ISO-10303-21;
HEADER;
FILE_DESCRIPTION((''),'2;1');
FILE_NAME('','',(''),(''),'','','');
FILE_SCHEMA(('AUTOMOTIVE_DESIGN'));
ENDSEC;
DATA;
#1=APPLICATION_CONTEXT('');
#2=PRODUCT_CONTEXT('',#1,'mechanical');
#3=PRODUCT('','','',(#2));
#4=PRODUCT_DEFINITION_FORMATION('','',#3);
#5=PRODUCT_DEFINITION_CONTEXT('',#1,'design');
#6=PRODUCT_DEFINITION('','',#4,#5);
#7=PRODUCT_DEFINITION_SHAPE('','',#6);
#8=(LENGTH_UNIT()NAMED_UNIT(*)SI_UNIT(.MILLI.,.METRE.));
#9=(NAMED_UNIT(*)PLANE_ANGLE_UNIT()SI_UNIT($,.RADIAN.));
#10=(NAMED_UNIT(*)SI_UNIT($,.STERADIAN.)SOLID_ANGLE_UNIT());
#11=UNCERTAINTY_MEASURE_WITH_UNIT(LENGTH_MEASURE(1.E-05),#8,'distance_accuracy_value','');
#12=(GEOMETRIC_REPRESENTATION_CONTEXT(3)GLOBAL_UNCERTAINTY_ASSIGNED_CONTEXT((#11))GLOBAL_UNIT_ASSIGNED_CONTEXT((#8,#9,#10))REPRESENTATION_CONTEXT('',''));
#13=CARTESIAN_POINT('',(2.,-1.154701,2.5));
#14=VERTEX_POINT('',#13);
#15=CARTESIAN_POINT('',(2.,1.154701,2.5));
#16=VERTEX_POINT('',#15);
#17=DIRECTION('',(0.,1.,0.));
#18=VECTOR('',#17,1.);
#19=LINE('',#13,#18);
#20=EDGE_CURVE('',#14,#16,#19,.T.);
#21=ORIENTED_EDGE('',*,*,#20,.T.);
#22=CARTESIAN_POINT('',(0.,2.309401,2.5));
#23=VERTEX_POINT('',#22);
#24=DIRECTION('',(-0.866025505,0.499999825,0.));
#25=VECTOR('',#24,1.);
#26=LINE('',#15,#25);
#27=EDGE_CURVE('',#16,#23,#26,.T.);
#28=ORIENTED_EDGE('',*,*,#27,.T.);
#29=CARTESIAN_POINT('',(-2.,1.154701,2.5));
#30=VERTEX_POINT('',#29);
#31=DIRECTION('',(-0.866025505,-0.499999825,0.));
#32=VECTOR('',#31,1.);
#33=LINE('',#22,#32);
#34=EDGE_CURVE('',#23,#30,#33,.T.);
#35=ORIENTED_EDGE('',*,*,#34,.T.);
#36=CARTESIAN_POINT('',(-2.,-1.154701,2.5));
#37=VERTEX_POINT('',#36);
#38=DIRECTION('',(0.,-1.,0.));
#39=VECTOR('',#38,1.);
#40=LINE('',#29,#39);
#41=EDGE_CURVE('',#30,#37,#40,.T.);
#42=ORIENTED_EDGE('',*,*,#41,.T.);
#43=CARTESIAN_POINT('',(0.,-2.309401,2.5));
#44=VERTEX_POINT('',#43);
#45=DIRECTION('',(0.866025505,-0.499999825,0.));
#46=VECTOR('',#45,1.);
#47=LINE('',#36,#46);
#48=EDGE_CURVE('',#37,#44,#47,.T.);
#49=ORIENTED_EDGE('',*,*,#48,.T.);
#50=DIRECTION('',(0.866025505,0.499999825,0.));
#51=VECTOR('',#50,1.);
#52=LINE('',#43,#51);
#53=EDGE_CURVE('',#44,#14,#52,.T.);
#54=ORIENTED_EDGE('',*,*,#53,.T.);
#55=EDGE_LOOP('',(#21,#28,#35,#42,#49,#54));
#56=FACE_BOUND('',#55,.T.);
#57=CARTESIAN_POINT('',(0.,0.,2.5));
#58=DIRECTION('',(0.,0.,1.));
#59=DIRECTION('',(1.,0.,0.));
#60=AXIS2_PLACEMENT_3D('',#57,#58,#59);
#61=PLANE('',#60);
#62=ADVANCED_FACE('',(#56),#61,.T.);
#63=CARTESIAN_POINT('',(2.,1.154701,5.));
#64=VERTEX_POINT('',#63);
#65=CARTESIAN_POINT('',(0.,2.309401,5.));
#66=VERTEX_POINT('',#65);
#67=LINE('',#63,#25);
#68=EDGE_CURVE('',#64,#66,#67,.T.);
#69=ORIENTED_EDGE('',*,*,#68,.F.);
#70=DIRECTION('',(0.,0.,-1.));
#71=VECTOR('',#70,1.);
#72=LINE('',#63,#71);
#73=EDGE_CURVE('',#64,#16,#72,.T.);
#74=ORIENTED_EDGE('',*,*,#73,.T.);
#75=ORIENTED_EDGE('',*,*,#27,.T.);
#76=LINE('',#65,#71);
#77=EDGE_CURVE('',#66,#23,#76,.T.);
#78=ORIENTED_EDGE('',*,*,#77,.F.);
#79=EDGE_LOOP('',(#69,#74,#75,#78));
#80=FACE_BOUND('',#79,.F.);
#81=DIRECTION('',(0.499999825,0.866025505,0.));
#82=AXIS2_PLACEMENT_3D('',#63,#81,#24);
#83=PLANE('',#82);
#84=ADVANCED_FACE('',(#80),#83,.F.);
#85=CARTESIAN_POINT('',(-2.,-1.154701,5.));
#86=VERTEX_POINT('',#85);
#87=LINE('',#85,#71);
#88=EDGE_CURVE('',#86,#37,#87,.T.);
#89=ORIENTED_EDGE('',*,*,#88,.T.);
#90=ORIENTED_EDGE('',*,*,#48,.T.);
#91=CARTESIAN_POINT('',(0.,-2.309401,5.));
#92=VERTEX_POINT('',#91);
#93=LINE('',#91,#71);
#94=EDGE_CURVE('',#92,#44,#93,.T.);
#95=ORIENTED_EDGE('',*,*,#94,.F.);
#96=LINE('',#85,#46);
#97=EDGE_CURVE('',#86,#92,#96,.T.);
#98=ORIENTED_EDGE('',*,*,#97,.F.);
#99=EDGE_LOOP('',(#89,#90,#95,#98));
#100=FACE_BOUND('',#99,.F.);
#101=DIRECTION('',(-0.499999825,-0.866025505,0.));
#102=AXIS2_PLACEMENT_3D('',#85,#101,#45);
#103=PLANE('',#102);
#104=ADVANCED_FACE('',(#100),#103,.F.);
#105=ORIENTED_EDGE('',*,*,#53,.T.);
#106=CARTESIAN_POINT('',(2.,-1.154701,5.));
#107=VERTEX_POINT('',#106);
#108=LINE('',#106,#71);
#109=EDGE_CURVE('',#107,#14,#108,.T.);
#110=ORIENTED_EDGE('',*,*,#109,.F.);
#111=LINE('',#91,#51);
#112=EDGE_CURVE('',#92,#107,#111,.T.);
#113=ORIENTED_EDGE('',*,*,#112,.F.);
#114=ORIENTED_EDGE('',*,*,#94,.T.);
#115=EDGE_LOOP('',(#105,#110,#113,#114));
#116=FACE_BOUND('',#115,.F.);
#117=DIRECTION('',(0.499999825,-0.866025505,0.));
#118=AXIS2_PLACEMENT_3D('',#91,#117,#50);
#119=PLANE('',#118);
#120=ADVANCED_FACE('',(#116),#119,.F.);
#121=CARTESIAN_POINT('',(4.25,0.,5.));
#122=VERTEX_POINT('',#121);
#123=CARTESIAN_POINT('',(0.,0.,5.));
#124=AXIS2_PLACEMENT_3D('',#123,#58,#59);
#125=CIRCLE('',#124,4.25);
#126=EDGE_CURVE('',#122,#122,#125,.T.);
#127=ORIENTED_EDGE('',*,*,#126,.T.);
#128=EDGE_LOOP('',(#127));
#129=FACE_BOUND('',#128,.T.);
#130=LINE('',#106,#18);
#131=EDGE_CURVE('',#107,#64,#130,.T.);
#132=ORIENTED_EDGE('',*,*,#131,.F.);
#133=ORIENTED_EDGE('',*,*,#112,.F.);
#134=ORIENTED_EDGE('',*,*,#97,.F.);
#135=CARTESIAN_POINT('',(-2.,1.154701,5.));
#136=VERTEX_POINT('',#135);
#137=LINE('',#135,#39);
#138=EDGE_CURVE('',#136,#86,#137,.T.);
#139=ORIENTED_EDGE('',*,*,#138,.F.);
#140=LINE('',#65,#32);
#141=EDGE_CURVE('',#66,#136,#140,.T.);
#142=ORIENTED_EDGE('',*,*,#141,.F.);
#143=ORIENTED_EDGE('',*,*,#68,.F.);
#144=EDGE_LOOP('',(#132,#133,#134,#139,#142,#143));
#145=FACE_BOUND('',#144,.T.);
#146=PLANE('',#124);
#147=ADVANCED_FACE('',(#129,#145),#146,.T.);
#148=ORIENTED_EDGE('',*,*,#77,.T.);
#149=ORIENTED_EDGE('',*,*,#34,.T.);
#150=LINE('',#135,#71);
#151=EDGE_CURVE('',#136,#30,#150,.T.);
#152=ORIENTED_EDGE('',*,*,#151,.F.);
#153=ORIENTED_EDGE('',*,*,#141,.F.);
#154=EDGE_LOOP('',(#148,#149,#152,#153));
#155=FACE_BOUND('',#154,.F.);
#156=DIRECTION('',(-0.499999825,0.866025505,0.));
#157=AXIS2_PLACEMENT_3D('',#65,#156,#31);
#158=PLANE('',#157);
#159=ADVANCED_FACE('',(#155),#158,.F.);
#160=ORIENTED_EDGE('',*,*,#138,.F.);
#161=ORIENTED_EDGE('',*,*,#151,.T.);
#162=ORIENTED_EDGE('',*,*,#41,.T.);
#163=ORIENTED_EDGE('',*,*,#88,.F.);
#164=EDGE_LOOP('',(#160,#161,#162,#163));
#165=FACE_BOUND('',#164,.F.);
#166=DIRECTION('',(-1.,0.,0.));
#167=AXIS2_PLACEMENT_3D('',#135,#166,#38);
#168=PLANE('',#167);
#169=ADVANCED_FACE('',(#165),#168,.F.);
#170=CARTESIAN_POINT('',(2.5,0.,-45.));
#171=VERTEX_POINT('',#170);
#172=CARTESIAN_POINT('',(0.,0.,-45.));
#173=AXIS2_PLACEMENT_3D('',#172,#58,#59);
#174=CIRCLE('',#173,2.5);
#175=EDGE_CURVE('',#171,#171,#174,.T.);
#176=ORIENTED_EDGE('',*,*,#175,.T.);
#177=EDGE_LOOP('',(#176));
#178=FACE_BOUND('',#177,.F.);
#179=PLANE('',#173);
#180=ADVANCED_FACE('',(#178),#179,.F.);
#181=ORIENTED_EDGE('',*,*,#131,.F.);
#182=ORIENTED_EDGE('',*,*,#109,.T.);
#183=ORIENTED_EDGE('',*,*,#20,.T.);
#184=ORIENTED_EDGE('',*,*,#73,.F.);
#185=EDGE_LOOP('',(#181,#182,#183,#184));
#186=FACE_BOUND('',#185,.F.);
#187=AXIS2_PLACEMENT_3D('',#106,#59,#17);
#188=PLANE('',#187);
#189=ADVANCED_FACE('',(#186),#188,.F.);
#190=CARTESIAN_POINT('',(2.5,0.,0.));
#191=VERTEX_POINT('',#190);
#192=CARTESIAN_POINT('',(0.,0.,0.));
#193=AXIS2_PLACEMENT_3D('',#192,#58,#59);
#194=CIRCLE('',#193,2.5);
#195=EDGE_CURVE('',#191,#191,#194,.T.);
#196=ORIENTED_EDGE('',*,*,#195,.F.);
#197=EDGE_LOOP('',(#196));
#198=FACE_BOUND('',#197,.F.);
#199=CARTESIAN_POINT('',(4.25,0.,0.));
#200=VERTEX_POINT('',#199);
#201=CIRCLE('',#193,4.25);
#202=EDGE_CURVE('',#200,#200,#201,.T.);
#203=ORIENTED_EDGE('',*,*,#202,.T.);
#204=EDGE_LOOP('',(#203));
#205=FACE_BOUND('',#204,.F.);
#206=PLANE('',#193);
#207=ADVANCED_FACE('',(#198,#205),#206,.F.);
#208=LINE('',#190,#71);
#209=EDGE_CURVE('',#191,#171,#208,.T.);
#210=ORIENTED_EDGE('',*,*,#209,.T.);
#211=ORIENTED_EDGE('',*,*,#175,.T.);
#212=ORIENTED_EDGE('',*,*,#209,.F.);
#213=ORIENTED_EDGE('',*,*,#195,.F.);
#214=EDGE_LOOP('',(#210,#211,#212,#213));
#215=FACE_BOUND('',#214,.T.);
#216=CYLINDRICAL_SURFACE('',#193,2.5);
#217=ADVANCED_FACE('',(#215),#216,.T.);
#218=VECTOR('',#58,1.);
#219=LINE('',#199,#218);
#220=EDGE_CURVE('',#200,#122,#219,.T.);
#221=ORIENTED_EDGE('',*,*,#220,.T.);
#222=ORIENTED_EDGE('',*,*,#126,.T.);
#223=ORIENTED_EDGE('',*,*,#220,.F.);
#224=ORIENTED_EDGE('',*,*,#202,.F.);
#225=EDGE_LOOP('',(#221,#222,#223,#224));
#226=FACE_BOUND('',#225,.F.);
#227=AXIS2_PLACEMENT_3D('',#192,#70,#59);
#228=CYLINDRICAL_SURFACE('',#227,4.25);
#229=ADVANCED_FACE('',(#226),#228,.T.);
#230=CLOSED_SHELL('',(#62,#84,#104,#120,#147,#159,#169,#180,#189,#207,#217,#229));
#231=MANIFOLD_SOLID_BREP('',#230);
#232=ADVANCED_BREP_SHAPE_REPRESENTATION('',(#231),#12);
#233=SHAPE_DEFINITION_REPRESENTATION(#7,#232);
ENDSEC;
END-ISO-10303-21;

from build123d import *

# Parameters (mm, degrees)
SKETCH_R     = 4.25
PAD_DEPTH    = 5
POCKET_DEPTH = 2.5
SKETCH002_R  = 2.5
PAD001_DEPTH = 45


with BuildPart() as part:
    # Sketch → Pad (new body)
    with BuildSketch(Plane.XY):
        Circle(SKETCH_R)
    extrude(amount=PAD_DEPTH)

    # Sketch001 → Pocket (cut)
    with BuildSketch(Plane.XY.offset(5)):
        Polygon((0, -2.309401), (2, -1.154701), (2, 1.154701), (0, 2.309401), (-2, 1.154701), (-2, -1.154701), align=None)
    extrude(amount=-POCKET_DEPTH, mode=Mode.SUBTRACT)

    # Sketch002 → Pad001 (join)
    with BuildSketch(Plane.XY):
        Circle(SKETCH002_R)
    extrude(amount=-PAD001_DEPTH)


solid = part.part
